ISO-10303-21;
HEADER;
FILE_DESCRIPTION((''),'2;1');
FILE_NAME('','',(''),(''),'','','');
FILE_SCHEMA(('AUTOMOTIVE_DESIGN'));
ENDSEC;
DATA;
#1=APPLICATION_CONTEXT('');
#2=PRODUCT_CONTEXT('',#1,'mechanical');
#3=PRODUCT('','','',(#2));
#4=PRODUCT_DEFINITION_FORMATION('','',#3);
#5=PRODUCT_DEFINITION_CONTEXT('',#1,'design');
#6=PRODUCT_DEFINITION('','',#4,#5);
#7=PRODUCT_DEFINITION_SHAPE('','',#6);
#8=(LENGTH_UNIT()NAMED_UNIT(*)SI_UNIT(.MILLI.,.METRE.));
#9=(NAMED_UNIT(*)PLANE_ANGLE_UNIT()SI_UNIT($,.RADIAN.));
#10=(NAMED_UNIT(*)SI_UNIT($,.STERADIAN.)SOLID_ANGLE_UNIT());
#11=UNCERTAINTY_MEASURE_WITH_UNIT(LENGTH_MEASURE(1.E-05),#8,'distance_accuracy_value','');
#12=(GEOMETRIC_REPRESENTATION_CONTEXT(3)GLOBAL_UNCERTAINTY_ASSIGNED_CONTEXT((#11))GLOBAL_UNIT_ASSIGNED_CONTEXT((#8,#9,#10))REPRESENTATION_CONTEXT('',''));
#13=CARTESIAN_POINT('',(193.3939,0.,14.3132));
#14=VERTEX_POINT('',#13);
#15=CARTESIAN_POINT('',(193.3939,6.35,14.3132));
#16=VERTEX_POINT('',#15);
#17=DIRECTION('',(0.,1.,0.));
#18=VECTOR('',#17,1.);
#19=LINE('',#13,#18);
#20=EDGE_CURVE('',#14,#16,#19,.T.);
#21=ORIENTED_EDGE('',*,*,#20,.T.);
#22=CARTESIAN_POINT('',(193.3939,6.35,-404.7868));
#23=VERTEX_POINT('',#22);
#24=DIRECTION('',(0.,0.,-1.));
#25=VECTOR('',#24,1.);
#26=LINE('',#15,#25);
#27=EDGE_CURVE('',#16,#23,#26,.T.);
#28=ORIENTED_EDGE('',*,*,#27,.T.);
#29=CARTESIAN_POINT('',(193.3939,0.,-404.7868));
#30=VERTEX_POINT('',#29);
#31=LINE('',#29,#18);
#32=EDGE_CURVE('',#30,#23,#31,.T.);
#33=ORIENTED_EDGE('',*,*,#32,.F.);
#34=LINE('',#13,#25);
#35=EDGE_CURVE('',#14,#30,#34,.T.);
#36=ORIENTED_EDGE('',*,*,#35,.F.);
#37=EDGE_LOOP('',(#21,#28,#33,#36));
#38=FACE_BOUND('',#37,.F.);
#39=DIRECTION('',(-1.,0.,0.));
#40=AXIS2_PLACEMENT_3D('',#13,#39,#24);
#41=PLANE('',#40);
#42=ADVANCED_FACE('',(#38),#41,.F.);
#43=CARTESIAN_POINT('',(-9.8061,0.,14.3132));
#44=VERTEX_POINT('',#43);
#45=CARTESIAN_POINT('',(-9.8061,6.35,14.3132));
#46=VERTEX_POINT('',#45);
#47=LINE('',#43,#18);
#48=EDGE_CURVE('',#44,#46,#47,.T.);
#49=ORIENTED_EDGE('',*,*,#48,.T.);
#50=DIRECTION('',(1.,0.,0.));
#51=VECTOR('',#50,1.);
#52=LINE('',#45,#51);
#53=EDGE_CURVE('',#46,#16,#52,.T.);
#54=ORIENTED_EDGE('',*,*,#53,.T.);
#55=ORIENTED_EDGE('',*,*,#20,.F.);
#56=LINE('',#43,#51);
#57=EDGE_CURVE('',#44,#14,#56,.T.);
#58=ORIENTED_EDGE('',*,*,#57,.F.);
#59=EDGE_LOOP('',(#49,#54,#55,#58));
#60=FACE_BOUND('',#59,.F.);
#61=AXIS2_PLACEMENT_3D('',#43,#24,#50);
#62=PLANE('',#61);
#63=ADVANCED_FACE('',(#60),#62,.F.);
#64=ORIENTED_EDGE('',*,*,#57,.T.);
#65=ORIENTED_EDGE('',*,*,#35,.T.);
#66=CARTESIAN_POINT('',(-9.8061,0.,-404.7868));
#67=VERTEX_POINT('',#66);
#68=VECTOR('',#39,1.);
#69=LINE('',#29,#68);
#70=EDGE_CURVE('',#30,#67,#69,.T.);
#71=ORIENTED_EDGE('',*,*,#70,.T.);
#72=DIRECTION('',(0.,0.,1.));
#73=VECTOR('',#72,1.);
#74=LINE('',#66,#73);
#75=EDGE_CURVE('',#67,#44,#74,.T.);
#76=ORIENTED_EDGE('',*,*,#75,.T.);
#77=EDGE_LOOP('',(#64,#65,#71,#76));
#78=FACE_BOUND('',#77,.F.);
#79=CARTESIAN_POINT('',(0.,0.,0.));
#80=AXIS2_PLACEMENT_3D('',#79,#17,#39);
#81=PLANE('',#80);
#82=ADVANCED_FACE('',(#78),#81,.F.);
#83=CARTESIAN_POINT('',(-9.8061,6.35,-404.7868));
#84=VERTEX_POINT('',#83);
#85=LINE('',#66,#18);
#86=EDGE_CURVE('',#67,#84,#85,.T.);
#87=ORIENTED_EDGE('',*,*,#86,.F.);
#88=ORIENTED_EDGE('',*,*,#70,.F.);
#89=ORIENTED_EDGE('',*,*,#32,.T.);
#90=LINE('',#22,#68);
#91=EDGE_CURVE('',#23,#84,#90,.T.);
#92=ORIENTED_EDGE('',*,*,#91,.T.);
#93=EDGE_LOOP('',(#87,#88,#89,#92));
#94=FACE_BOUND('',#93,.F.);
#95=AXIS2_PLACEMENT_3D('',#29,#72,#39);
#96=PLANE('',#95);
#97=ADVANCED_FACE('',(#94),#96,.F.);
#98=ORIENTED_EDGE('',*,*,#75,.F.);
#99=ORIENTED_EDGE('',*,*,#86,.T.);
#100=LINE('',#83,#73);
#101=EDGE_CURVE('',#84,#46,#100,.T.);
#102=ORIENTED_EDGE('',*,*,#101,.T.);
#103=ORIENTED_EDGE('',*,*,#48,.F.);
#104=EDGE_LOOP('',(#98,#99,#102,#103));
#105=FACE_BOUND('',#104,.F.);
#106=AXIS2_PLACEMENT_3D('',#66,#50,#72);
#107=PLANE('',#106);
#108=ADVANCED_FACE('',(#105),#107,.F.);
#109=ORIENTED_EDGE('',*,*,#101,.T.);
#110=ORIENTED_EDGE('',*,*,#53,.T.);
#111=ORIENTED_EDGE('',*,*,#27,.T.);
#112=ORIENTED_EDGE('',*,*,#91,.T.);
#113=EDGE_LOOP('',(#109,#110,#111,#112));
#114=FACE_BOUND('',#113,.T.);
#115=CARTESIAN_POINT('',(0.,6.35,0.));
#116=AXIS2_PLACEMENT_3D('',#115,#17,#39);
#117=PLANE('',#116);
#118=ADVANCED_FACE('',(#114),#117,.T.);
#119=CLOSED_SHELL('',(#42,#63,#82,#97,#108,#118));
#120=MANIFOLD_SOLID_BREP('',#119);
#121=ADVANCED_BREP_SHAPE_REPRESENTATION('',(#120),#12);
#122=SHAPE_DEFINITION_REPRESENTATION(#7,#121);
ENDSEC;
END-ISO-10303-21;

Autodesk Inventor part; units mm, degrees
ref_plane "YZ Plane" through (0, 0, 0) normal (1, 0, 0) x (0, 1, 0)
ref_plane "XZ Plane" through (0, 0, 0) normal (0, 1, 0) x (-1, 0, 0)
ref_plane "XY Plane" through (0, 0, 0) normal (0, 0, 1) x (1, 0, 0)
sketch "Sketch1" plane through (0, 0, 0) normal (0, 1, 0) x (-1, 0, 0)
  line L0 (9.8061, 14.3132) -> (-193.3939, 14.3132)
  line L1 (-193.3939, 14.3132) -> (-193.3939, -404.7868)
  line L2 (-193.3939, -404.7868) -> (9.8061, -404.7868)
  line L3 (9.8061, -404.7868) -> (9.8061, 14.3132)
  point P0 (0, 0)
  dimension "d0" = 203.2
  dimension "d1" = 419.1
extrude "Extrusion1" add sketch "Sketch1" along normal blind 6.35
properties part number "glass bottem container X4" material "Glass"
